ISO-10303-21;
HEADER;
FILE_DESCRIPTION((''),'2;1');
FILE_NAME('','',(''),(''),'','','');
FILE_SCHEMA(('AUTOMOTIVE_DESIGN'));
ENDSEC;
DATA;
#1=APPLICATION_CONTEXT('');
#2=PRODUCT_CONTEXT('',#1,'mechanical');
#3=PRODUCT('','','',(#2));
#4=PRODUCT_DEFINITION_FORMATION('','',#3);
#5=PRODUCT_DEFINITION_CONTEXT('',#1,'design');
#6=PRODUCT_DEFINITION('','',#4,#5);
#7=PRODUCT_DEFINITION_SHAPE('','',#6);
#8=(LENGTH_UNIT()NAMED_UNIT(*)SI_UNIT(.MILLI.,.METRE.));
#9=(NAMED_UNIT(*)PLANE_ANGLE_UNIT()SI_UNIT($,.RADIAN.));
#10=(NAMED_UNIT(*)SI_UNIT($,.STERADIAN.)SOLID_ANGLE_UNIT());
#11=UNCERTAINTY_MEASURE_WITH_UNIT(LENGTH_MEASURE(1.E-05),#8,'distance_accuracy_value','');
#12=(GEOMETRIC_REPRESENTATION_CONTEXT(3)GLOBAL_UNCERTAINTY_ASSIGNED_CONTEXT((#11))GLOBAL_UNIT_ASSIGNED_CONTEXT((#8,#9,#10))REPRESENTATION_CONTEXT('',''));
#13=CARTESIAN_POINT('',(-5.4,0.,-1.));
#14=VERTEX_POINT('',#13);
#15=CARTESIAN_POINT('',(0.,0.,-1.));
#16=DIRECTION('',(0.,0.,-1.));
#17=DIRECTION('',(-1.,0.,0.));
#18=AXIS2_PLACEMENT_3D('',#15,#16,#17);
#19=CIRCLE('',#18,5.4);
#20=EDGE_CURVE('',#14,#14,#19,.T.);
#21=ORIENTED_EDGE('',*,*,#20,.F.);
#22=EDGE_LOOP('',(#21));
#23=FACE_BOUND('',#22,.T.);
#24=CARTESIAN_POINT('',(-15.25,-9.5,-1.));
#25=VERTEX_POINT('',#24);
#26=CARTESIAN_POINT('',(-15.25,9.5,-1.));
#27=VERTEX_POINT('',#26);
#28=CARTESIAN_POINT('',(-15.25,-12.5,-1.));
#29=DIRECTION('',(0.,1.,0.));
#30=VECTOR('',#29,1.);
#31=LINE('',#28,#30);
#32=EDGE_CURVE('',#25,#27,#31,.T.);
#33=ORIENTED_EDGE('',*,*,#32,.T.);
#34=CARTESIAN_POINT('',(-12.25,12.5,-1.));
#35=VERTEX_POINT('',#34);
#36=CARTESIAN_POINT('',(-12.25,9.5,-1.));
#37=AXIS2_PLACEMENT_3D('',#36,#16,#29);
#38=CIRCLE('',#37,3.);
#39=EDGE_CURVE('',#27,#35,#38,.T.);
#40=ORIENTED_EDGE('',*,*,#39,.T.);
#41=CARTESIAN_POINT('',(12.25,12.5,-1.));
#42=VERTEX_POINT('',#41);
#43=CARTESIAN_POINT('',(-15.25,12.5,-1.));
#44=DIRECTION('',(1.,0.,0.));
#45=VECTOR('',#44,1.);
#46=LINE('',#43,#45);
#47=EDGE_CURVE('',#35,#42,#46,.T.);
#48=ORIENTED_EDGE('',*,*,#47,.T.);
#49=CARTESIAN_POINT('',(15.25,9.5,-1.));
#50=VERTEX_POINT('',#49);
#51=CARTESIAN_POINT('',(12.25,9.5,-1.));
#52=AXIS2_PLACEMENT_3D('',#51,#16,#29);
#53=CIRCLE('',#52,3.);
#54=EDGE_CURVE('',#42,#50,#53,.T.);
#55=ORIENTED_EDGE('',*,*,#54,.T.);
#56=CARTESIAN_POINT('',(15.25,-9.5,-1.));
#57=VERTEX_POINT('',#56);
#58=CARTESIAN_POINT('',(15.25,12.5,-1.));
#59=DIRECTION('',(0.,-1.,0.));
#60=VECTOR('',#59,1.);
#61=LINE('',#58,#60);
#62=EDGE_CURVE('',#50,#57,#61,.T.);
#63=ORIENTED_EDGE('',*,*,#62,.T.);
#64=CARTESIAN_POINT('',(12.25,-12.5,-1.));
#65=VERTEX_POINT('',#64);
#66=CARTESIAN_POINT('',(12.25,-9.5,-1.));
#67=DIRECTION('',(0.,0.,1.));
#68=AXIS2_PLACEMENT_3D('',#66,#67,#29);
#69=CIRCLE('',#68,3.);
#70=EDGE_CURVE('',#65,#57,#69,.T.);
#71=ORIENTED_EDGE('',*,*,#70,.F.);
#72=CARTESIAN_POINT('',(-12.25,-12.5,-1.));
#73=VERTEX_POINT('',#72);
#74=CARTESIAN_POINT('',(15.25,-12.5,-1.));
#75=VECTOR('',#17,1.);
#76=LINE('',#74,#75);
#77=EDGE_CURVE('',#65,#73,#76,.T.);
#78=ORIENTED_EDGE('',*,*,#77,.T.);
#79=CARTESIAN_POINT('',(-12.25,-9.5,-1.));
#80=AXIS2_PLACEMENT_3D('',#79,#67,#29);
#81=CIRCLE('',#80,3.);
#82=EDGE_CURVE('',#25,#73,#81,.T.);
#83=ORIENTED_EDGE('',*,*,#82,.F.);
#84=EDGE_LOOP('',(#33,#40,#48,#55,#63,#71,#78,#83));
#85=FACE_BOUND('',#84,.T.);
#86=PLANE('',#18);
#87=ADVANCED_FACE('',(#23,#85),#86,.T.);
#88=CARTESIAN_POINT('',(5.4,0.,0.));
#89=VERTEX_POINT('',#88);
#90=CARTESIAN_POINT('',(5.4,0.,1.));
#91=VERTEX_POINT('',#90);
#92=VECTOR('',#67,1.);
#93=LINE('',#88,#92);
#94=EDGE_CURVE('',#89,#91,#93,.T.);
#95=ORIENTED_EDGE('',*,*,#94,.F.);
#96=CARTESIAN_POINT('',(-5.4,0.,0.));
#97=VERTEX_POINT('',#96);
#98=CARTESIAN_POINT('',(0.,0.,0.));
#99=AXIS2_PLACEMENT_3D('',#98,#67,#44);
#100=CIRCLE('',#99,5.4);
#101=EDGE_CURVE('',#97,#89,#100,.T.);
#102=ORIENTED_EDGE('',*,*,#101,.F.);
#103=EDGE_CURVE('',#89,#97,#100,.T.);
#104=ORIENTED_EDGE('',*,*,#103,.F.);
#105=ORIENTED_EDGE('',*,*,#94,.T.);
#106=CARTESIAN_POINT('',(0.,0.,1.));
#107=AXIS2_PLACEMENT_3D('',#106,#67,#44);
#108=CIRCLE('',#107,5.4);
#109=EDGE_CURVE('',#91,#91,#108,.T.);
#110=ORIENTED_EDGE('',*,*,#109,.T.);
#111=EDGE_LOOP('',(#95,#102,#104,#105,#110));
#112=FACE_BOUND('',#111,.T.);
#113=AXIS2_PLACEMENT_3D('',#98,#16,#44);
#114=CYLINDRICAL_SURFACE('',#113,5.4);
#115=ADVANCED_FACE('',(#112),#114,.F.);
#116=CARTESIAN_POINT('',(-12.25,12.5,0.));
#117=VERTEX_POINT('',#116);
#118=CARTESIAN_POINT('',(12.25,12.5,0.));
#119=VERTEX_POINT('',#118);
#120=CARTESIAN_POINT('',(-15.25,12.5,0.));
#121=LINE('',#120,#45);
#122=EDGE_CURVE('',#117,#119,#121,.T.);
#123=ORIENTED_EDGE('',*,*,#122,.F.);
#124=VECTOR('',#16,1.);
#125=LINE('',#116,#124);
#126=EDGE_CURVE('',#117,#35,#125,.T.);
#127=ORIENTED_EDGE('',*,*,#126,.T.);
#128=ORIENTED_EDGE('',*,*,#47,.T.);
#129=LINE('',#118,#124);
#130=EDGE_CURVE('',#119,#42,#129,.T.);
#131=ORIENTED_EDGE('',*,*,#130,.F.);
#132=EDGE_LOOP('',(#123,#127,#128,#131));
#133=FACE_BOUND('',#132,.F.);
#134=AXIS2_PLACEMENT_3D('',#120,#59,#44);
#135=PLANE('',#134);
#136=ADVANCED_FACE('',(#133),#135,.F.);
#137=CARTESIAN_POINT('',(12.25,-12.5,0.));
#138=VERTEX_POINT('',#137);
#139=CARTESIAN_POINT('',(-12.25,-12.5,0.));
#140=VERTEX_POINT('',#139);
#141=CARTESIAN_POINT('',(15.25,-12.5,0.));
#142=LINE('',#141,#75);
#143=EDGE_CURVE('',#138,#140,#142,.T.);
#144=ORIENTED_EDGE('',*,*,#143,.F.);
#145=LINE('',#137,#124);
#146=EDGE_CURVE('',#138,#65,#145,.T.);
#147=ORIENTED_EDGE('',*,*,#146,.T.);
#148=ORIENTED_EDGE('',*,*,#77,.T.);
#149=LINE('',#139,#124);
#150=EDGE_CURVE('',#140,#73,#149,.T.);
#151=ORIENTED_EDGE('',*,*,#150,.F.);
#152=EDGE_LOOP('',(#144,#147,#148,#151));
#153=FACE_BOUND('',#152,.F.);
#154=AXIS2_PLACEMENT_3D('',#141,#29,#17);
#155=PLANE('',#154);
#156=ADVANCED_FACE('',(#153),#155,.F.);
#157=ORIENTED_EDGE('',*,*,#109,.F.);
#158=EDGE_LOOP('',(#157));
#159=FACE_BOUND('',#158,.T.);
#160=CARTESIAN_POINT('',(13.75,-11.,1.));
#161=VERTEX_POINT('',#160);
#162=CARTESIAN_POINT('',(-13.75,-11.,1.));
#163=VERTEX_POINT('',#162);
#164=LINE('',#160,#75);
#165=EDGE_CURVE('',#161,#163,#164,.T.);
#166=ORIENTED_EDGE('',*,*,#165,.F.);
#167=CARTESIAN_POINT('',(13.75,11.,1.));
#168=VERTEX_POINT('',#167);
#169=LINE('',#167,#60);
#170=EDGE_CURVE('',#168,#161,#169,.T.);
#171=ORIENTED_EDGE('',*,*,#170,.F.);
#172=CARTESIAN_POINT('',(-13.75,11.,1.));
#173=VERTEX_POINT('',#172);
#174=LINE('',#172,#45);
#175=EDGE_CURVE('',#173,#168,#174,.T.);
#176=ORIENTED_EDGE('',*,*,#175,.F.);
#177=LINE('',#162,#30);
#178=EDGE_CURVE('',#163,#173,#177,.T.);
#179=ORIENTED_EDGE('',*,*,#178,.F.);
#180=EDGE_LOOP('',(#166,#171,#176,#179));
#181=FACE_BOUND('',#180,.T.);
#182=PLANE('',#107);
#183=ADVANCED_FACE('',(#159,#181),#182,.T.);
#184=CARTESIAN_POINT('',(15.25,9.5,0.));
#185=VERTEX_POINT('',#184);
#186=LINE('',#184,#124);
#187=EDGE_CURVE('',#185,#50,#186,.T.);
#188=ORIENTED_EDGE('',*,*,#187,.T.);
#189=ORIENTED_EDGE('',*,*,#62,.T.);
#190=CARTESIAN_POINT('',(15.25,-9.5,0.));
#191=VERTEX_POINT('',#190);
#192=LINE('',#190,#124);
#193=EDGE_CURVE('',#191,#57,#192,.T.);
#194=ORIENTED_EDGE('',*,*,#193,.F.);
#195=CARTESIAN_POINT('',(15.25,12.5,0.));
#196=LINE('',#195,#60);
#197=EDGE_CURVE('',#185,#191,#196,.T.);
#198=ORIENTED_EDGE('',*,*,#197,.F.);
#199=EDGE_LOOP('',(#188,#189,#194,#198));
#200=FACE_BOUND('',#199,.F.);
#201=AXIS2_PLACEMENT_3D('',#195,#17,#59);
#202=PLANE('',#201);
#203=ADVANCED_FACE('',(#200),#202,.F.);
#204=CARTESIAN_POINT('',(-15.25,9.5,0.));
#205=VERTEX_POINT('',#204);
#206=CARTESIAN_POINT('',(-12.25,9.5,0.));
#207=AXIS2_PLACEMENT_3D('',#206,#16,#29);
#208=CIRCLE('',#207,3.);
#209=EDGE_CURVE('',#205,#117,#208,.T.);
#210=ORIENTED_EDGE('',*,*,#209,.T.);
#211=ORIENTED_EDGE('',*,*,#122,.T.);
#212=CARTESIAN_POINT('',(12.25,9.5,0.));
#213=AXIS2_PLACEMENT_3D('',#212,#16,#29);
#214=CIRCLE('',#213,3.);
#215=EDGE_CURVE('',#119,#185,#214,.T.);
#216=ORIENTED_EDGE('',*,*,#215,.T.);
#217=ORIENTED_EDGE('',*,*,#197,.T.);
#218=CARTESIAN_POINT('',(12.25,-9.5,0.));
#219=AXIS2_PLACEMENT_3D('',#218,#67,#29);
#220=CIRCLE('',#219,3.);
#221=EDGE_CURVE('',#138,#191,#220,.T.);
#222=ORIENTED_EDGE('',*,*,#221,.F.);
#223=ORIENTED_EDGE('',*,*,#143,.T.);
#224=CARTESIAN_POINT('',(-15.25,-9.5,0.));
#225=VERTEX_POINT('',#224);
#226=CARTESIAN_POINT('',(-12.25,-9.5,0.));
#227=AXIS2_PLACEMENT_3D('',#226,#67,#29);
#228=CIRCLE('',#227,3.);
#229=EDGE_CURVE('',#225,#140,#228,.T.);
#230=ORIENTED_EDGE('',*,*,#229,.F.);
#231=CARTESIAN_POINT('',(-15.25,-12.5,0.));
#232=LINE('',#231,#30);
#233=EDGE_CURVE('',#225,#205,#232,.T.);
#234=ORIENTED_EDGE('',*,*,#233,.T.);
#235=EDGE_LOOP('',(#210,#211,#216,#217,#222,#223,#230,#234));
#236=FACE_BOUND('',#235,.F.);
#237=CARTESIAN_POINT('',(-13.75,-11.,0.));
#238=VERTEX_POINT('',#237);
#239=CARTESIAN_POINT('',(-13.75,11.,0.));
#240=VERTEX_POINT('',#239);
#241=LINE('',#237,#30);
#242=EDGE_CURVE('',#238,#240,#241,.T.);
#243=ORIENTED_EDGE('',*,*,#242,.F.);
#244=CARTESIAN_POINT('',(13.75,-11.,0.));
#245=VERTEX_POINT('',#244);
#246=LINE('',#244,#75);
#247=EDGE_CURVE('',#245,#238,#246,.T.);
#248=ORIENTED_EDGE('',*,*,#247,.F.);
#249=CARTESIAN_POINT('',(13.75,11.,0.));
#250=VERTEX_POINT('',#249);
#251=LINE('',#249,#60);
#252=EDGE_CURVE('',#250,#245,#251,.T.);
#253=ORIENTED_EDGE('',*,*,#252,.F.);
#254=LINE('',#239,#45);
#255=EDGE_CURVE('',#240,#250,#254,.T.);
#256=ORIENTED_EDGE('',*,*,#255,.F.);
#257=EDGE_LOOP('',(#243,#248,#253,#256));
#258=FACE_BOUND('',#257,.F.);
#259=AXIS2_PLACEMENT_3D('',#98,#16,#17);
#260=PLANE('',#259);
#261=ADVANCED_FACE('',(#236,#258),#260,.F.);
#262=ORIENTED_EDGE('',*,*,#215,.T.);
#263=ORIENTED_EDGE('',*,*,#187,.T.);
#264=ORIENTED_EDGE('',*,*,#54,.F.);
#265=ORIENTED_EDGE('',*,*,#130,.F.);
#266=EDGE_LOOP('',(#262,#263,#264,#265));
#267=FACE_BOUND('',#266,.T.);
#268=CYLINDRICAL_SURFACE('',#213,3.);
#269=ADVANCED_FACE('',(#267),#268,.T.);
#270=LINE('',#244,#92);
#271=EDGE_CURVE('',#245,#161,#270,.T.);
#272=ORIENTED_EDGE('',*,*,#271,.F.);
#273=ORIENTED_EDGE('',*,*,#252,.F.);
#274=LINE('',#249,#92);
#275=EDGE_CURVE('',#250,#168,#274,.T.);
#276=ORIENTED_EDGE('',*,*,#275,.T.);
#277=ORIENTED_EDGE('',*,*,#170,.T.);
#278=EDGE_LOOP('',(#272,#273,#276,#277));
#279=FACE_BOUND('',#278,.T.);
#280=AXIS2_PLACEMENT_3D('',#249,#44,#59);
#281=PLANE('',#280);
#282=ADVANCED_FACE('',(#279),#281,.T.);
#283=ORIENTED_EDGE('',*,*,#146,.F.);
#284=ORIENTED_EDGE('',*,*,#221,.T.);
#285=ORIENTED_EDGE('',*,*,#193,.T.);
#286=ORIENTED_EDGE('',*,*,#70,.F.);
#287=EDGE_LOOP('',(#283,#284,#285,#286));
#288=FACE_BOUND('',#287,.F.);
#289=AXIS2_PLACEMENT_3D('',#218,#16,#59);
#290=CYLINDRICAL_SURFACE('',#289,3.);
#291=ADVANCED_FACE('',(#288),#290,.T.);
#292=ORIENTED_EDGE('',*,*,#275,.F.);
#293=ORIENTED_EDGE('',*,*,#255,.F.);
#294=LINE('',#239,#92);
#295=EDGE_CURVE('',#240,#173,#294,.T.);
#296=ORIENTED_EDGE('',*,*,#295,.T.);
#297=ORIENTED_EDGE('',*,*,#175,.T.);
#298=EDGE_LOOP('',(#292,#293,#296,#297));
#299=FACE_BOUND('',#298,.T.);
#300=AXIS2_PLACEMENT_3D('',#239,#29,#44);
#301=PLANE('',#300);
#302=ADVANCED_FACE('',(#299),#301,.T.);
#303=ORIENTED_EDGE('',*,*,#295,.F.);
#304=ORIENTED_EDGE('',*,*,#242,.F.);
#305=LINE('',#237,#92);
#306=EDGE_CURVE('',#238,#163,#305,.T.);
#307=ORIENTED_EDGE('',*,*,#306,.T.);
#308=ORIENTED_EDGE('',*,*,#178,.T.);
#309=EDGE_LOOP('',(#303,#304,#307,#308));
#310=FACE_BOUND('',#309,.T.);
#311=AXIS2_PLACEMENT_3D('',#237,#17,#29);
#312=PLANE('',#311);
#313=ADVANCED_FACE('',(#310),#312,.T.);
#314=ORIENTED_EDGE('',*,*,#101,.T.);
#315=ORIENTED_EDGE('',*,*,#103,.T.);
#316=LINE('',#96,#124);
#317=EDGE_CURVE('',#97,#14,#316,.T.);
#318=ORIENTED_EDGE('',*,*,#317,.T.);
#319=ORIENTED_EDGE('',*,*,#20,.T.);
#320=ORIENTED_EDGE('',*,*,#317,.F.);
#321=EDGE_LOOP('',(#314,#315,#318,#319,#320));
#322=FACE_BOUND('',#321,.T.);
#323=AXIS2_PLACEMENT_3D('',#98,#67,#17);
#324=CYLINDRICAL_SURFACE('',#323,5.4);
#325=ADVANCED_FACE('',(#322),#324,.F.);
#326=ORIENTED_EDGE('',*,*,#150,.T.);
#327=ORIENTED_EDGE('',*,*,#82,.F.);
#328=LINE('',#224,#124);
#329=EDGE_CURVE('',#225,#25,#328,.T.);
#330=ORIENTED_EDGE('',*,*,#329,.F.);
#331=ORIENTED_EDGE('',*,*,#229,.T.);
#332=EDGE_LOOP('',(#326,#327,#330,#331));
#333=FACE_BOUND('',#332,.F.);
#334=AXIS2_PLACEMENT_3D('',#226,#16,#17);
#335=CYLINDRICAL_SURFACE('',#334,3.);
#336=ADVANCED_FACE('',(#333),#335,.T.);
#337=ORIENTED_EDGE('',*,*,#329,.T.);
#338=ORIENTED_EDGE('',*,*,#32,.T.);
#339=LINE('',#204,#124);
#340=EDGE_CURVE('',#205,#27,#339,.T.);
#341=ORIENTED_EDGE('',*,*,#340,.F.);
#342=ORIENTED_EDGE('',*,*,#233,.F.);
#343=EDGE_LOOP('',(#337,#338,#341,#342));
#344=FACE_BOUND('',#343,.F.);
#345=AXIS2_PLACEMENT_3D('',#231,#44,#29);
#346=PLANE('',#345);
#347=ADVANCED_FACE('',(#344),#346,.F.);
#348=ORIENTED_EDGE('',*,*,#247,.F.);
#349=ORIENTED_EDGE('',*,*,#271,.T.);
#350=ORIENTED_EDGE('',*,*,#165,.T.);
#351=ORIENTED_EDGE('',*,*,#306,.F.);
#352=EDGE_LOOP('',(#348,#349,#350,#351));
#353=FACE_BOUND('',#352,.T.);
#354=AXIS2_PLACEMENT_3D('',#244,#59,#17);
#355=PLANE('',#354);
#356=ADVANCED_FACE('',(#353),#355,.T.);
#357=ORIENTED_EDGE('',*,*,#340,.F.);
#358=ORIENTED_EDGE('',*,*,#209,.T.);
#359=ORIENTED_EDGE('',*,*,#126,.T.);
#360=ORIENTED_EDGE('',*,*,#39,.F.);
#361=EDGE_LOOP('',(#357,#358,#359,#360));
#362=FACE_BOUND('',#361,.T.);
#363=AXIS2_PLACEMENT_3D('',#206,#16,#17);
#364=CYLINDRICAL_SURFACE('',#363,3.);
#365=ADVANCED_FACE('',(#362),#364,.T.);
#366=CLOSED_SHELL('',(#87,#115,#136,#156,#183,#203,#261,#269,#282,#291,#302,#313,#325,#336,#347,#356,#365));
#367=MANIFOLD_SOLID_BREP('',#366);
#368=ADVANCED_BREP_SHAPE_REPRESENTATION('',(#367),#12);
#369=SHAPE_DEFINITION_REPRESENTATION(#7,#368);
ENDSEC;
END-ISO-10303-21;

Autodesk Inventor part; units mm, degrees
ref_plane "YZ Plane" through (0, 0, 0) normal (1, 0, 0) x (0, 1, 0)
ref_plane "XZ Plane" through (0, 0, 0) normal (0, 1, 0) x (-1, 0, 0)
ref_plane "XY Plane" through (0, 0, 0) normal (0, 0, 1) x (1, 0, 0)
sketch "Sketch1" plane through (0, 0, 0) normal (0, 0, 1) x (1, 0, 0)
  line L0 (13.75, -11) -> (-13.75, -11)
  line L1 (-13.75, -11) -> (-13.75, 11)
  line L2 (-13.75, 11) -> (13.75, 11)
  line L3 (13.75, 11) -> (13.75, -11)
  line L4 (13.75, -11) -> (-13.75, 11) construction
  line L5 (-13.75, -11) -> (13.75, 11) construction
  circle A0 centre (0, 0) radius 5.4
  dimension "d0" = 27.5
  dimension "d1" = 22
  dimension "d2" = 10.8
extrude "Extrusion1" add sketch "Sketch1" along normal blind 1
sketch "Sketch2" plane through (0, 0, 0) normal (0, 0, -1) x (-1, 0, 0)
  line L0 (15.25, 12.5) -> (-15.25, 12.5)
  line L1 (-15.25, 12.5) -> (-15.25, -12.5)
  line L2 (-15.25, -12.5) -> (15.25, -12.5)
  line L3 (15.25, -12.5) -> (15.25, 12.5)
  line L4 (15.25, 12.5) -> (-15.25, -12.5) construction
  line L5 (-15.25, 12.5) -> (15.25, -12.5) construction
  line L6 (-13.75, -11) -> (-13.75, 11) projected
  line L7 (-13.75, 11) -> (13.75, 11) projected
  circle A0 centre (0, 0) radius 5.4
  circle A1 centre (0, 0) radius 5.4 projected
  dimension "d5" = 1.5
  dimension "d6" = 1.5
extrude "Extrusion2" add sketch "Sketch2" along normal blind 1
fillet "Fillet1" radius 3 4 edges at (-15.25, 12.5, -0.5) (-15.25, -12.5, -0.5) (15.25, -12.5, -0.5) (15.25, 12.5, -0.5)
properties part number "screen-dc-port-front"
